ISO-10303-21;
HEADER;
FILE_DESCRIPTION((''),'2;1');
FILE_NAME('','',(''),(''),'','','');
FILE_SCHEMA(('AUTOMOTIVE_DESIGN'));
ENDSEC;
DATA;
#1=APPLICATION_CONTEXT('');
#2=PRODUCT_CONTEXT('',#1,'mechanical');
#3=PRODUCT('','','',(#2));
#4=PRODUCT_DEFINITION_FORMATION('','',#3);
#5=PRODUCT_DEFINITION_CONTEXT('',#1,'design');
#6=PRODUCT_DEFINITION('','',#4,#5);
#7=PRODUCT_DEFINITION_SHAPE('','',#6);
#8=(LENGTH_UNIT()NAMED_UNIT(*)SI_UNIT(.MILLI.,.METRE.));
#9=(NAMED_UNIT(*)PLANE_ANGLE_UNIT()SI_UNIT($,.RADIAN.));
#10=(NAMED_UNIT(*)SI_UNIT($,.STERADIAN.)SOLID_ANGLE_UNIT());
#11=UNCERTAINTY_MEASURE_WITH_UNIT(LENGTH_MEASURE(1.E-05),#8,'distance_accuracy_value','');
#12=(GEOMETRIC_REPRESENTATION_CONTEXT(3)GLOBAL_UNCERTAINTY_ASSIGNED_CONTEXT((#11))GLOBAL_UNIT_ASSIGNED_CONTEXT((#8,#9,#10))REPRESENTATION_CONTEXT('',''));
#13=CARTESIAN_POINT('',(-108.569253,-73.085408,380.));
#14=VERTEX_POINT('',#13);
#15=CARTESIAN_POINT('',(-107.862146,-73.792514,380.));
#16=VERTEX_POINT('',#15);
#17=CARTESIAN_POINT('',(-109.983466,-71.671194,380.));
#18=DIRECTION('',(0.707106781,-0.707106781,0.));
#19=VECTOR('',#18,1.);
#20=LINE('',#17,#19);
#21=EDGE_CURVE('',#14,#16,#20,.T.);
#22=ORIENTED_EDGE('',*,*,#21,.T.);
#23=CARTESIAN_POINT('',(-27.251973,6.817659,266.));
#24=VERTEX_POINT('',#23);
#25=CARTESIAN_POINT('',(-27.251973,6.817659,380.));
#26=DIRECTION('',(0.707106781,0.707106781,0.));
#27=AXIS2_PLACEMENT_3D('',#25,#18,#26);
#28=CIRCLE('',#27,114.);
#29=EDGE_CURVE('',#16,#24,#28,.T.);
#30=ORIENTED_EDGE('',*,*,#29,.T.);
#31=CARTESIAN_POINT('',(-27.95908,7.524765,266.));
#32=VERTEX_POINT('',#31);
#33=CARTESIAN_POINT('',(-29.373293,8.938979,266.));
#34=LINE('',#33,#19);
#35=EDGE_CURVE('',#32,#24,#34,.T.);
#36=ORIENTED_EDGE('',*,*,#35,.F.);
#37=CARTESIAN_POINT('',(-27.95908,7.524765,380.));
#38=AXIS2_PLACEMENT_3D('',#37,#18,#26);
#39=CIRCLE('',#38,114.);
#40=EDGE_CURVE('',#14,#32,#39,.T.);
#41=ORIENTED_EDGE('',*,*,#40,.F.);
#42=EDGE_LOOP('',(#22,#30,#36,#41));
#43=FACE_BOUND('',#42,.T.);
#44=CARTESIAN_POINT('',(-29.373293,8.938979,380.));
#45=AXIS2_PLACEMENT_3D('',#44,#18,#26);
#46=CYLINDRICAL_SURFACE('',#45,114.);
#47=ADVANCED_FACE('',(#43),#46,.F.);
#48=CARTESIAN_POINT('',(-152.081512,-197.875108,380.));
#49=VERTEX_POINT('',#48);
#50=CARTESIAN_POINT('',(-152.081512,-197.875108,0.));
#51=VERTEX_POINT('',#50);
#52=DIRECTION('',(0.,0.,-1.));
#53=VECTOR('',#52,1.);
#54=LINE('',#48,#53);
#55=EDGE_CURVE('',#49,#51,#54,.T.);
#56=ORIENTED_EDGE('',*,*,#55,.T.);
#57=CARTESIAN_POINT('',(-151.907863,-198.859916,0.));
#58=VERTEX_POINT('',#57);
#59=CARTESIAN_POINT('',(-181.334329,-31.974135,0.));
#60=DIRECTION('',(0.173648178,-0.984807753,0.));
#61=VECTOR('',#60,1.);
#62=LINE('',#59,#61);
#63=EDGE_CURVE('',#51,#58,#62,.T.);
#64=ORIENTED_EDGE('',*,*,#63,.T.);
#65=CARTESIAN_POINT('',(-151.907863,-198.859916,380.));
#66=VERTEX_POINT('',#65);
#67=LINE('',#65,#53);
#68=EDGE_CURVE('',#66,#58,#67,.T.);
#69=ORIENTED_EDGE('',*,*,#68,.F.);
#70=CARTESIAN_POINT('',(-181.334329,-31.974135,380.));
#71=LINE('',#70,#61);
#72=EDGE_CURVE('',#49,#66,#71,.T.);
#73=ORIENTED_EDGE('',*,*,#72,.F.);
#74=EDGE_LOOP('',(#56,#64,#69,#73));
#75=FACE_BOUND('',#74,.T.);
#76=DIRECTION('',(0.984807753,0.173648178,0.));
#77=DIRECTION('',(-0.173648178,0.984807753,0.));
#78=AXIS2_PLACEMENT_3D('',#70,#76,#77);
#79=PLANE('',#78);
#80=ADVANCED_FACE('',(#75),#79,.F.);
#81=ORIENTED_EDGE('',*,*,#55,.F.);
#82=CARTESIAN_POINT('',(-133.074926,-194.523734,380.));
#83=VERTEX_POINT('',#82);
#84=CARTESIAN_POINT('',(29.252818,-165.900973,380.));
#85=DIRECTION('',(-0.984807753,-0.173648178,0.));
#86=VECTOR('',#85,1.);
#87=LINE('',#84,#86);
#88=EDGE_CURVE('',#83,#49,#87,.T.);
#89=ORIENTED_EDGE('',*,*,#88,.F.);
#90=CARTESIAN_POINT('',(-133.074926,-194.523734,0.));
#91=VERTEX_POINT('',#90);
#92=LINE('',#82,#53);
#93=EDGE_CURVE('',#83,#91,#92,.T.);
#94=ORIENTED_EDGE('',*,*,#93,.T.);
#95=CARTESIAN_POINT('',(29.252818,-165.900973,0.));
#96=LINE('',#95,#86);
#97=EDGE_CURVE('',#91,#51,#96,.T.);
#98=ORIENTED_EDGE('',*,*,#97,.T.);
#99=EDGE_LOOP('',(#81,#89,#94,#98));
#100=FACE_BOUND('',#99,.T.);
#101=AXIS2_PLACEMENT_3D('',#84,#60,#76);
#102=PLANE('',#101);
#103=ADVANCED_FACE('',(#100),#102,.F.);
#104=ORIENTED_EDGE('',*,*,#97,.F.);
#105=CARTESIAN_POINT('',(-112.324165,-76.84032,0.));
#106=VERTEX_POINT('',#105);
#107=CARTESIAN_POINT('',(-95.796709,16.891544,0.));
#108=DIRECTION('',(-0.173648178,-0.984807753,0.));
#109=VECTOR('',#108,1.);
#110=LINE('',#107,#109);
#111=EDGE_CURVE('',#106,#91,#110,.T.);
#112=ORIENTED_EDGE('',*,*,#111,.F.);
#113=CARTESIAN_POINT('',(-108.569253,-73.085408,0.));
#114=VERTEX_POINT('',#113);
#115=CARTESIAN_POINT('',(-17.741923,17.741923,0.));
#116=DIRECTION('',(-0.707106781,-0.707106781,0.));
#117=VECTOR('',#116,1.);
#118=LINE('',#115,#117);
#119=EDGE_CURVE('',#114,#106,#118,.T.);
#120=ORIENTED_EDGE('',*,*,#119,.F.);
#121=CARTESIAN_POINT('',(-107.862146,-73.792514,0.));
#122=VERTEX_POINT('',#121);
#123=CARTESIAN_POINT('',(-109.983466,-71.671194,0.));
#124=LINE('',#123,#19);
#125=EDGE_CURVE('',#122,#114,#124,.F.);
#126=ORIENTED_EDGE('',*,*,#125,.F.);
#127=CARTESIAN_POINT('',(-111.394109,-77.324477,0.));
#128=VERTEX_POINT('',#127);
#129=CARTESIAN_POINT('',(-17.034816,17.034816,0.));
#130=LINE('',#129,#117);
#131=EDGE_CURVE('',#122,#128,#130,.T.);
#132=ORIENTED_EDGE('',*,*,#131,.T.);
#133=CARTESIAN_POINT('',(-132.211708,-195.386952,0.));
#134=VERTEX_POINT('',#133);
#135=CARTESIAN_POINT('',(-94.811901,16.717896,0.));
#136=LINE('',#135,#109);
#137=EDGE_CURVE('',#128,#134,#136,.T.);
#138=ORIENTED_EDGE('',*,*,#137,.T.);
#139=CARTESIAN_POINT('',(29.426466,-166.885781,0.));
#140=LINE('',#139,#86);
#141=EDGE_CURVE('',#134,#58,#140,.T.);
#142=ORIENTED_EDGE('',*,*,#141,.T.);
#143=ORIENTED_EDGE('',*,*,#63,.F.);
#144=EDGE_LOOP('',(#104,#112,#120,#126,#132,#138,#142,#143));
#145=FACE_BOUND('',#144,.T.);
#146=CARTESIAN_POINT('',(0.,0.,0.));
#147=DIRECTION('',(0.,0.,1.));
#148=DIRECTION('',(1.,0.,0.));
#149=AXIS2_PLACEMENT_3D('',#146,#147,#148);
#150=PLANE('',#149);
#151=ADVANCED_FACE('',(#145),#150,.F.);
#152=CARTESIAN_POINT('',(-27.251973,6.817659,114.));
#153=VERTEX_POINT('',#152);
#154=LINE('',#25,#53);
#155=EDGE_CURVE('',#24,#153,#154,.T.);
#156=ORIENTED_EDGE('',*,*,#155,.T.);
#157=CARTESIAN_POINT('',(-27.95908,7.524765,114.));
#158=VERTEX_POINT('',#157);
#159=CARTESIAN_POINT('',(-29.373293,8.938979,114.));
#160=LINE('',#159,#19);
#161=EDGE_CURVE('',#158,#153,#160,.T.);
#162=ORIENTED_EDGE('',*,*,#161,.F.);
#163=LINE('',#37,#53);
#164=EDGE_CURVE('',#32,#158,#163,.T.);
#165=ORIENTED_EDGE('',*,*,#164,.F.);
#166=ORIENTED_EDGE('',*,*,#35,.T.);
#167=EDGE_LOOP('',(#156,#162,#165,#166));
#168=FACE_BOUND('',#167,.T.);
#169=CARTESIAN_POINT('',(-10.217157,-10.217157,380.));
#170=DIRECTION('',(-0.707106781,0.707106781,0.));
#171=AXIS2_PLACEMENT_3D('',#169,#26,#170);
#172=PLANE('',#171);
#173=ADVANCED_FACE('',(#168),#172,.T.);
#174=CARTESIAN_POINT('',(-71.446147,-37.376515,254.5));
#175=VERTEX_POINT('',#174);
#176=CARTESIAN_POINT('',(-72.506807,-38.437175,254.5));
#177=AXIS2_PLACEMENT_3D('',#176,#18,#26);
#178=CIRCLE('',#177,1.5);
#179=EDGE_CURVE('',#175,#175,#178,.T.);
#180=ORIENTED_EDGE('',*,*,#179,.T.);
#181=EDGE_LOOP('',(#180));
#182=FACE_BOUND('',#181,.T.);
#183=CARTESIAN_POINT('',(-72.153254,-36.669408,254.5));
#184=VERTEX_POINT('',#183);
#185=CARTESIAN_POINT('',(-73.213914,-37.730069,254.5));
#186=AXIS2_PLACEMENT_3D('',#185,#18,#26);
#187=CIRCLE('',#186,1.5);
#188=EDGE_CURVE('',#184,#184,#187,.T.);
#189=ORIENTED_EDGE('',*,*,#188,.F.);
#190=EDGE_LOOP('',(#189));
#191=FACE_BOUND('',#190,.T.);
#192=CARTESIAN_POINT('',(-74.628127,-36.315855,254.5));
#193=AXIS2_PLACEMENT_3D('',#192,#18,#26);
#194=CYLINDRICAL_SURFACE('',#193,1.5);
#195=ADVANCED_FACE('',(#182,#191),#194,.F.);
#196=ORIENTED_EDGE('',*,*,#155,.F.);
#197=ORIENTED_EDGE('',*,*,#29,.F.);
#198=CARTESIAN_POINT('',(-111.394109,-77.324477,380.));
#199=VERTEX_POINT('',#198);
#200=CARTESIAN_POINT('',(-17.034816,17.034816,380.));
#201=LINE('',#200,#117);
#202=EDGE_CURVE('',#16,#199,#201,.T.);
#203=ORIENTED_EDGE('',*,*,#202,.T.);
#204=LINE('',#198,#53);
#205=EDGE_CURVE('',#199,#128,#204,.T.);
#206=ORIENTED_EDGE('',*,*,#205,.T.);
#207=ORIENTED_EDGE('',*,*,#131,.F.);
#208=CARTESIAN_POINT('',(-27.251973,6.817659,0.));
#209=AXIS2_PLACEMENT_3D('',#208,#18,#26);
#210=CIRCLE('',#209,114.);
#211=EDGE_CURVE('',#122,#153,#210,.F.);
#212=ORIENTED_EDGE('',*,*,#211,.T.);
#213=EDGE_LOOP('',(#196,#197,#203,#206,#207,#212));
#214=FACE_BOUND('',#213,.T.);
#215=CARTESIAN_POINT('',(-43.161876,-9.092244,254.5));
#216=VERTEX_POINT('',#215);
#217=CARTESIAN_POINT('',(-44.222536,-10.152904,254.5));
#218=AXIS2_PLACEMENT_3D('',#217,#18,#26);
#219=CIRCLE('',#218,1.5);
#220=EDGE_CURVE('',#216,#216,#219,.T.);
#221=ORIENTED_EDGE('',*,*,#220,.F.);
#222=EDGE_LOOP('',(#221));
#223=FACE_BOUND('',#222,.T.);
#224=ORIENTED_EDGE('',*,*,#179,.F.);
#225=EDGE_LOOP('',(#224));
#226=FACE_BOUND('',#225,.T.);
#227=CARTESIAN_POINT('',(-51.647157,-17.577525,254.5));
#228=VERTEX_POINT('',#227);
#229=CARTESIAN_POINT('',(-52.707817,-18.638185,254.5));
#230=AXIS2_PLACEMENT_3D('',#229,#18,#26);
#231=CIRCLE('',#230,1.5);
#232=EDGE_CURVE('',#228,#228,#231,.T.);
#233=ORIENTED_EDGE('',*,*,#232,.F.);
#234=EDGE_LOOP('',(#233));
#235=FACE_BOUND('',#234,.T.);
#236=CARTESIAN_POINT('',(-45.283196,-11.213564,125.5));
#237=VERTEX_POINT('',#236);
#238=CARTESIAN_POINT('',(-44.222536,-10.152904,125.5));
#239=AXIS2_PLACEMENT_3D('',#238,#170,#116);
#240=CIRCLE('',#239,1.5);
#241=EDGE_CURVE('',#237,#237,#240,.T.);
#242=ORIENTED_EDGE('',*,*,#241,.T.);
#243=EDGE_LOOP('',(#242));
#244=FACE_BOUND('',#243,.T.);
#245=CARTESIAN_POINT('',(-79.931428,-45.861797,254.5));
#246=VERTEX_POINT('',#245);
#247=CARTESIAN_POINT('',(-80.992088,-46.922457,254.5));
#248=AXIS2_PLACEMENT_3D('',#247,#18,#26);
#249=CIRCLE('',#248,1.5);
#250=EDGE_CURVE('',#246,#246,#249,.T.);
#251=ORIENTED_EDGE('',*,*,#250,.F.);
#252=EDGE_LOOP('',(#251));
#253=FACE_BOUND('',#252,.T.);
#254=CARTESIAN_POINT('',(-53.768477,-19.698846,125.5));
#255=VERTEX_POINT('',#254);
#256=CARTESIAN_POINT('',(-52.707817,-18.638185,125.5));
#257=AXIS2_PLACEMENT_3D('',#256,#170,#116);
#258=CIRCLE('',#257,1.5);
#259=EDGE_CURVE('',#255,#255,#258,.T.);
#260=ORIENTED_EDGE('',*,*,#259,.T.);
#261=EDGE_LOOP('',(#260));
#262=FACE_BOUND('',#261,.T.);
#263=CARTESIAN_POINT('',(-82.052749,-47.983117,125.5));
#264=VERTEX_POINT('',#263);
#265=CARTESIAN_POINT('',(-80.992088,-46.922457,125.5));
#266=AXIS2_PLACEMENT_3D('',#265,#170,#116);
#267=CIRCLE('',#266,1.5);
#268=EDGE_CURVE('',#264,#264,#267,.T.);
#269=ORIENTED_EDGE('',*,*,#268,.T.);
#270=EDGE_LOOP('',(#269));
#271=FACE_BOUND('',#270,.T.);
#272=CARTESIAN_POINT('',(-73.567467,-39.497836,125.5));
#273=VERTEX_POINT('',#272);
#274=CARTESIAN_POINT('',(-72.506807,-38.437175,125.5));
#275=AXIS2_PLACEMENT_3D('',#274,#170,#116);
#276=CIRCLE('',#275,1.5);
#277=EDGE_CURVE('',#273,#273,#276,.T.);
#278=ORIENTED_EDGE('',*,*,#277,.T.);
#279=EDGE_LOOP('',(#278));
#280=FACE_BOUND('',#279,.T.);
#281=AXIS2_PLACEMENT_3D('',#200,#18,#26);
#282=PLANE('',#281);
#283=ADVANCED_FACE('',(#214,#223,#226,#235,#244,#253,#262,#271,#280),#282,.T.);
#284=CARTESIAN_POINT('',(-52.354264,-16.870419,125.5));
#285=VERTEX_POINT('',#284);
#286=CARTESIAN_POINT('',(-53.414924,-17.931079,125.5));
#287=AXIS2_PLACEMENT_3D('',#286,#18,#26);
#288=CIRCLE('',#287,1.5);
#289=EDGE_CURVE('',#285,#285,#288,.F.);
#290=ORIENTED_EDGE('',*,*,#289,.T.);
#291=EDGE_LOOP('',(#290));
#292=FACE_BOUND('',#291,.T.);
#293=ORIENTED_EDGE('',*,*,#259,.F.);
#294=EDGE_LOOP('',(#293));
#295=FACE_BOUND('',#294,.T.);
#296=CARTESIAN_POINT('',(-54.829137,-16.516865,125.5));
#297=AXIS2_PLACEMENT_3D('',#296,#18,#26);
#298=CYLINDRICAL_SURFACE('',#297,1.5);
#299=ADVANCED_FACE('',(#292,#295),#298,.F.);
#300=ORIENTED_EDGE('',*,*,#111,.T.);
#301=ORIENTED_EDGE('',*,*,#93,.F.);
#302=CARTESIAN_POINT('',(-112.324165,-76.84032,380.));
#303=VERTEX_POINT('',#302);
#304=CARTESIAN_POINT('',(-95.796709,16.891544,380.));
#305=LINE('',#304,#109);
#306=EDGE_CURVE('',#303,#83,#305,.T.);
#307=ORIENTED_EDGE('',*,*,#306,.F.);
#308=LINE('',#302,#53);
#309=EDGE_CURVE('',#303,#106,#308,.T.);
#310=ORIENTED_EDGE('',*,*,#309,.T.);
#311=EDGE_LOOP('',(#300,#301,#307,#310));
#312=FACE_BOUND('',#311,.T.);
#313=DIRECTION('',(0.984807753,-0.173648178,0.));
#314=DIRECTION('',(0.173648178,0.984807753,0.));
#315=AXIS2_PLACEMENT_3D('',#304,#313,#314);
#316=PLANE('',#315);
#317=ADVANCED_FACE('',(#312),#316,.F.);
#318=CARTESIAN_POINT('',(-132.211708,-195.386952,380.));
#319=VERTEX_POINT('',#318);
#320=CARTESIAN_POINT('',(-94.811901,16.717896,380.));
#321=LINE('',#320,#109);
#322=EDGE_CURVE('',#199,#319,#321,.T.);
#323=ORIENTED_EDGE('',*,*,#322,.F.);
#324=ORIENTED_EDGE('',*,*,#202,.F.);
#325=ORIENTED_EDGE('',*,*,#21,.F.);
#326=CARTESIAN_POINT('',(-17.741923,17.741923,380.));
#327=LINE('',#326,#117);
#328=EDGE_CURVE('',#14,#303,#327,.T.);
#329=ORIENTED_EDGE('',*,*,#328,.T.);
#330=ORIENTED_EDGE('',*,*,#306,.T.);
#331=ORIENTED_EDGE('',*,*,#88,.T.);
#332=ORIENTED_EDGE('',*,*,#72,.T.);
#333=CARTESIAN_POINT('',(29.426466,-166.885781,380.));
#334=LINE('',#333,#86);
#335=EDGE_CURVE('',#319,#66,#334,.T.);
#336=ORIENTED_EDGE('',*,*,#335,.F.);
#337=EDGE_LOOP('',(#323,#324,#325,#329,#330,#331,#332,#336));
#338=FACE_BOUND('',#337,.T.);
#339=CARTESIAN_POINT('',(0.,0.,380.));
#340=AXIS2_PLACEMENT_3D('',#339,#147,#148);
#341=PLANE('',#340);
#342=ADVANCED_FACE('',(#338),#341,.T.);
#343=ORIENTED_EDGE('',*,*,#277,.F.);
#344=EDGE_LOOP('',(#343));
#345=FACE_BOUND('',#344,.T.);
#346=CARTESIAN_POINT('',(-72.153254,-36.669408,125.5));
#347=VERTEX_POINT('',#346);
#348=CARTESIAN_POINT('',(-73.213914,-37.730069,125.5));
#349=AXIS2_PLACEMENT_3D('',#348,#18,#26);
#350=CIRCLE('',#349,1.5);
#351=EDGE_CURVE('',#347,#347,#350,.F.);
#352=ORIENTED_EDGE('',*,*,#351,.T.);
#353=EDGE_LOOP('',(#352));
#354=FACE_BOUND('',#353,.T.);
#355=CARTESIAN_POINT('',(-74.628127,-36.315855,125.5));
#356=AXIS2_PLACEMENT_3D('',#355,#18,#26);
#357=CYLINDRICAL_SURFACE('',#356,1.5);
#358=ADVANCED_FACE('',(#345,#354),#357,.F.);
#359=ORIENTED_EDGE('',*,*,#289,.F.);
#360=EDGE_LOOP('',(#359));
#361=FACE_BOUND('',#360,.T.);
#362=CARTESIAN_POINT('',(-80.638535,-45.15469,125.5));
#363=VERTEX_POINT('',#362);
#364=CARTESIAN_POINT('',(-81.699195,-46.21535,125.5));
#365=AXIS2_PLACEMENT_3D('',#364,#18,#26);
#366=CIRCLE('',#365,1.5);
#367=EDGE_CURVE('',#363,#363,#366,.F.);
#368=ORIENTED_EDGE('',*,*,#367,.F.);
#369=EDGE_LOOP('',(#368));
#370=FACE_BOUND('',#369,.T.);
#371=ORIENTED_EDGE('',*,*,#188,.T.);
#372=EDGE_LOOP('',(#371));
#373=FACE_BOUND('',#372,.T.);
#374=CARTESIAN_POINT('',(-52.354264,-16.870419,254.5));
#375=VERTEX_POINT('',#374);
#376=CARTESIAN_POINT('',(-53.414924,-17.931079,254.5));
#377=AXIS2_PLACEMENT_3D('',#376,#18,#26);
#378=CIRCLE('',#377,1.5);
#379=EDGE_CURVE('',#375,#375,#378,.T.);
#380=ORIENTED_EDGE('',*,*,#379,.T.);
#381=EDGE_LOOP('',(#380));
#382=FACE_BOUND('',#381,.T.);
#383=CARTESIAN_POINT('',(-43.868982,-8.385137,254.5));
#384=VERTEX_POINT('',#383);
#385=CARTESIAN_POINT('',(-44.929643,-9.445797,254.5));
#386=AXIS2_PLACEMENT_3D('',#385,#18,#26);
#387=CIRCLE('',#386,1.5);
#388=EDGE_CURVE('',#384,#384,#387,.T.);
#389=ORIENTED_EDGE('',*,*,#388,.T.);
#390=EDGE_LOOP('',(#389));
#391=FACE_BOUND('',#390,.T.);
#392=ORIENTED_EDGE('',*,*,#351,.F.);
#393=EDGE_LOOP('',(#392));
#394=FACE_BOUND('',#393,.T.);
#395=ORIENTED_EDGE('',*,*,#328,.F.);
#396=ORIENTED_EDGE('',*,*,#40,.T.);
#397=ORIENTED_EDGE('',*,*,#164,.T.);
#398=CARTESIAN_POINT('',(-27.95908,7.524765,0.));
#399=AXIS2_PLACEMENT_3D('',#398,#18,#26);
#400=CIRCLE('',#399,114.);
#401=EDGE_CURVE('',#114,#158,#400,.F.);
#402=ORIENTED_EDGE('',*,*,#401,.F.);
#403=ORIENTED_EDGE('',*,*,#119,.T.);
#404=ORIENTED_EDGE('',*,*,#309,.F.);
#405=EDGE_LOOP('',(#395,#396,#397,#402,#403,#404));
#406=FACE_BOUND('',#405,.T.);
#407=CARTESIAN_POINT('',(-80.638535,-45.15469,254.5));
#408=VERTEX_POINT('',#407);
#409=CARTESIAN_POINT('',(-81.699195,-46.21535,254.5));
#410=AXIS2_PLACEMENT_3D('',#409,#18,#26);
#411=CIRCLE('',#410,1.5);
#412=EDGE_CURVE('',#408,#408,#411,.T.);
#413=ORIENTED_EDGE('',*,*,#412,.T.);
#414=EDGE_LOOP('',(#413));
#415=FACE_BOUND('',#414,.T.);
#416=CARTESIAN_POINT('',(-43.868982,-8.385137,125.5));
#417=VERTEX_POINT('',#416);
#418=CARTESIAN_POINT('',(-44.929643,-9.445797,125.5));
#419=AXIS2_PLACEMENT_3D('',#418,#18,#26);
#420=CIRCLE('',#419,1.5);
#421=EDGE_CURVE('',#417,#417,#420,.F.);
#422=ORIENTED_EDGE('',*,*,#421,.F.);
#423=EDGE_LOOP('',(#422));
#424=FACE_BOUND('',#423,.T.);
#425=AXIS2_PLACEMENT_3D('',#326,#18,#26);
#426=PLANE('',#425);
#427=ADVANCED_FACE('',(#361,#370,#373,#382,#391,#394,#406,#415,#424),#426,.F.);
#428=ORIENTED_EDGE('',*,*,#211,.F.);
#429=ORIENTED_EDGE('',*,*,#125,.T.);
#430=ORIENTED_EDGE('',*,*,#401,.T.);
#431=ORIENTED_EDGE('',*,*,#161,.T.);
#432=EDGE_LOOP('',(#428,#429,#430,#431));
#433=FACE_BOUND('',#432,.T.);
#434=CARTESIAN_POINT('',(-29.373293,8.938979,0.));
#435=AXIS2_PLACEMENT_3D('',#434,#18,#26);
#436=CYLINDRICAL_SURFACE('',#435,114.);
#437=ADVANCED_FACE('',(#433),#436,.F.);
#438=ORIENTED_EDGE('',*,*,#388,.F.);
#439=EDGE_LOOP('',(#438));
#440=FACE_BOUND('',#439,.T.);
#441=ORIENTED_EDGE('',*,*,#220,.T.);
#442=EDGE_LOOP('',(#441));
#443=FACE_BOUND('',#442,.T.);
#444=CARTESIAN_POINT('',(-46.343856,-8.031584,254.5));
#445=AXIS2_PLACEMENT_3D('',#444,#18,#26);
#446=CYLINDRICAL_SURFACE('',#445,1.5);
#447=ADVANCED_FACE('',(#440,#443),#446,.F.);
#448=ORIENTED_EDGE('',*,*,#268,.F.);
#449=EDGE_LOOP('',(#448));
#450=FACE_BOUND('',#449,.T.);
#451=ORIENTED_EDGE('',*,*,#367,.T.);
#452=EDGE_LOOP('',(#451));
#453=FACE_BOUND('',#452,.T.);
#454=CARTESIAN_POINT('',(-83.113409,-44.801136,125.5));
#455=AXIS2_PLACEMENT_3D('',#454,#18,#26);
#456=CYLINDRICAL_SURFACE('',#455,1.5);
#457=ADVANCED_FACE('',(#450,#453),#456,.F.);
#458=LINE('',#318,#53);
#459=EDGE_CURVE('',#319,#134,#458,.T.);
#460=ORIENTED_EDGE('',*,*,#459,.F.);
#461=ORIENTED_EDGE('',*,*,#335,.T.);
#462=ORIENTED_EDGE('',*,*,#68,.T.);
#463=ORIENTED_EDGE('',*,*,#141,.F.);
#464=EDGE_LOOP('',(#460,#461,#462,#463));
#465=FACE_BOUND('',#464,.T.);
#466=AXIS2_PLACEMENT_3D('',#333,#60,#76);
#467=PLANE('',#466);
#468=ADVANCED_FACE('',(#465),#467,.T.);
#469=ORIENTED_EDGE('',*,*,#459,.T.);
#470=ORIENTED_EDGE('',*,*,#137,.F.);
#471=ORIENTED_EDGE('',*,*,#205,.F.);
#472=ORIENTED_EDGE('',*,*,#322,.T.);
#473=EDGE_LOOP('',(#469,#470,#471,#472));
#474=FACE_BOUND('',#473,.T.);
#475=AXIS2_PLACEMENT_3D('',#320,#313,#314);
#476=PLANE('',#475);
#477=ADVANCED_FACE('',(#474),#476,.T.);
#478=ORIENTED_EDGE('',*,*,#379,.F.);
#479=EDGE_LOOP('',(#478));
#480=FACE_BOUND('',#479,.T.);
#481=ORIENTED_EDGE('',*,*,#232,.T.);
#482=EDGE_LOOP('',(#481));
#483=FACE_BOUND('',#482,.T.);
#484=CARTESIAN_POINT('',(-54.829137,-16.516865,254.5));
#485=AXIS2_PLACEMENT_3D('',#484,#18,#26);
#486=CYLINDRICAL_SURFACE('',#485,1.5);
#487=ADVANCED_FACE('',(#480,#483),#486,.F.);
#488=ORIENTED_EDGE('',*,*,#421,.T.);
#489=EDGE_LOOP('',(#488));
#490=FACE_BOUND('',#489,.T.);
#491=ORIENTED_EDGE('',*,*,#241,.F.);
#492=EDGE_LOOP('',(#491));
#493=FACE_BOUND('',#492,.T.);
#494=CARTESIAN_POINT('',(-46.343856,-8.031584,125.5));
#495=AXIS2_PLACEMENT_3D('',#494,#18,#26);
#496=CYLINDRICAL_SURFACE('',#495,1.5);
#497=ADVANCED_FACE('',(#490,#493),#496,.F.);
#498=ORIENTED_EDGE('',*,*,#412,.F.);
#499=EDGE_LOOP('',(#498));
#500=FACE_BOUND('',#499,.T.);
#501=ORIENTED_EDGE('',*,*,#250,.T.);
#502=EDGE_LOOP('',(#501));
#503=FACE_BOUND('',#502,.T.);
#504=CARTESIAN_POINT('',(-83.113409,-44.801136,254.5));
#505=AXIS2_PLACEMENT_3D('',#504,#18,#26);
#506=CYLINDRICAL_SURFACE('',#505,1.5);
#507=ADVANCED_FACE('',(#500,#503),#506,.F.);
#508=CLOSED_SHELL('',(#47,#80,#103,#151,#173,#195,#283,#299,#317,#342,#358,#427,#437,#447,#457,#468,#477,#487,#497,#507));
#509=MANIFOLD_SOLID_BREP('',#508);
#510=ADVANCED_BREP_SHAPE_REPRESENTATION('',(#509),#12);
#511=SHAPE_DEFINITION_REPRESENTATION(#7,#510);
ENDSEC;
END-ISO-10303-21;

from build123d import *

# Parameters (mm, degrees)
EXTRUDE_1_DEPTH     = 380
SKETCH_2_R          = 1.5
CUT_EXTRUDE_1_DEPTH = 3


with BuildPart() as part:
    # 草图1 → 凸台-拉伸1 (new body)
    with BuildSketch(Plane.XY):
        Polygon((-133.074926411, -194.523734135), (-152.081511659, -197.875107926), (-151.907863481, -198.859915679), (-132.211708421, -195.386952125), (-111.394108644, -77.324476981), (-27.25197302, 6.817658643), (-27.959079801, 7.524765424), (-112.324165337, -76.840320111), align=None)
    extrude(amount=EXTRUDE_1_DEPTH)

    # 草图2 → 切除-拉伸1 (cut)
    with BuildSketch(Plane(origin=(-17.034815832, 17.034815832, 0), x_dir=(0, 0, -1), z_dir=(0.7071067811865477, -0.7071067811865475, 0))):
        with Locations(Location((-254.5, -38.449242265, 0), (0, 0, 90))):
            Circle(SKETCH_2_R)
        with Locations(Location((-254.5, -50.449242265, 0), (0, 0, 90))):
            Circle(SKETCH_2_R)
        with BuildLine():
            ThreePointArc((-380, -128.449242265), (-299.389826945, -95.05941532), (-266, -14.449242265))
            Line((-266, -14.449242265), (-380, -14.449242265))
            Line((-380, -14.449242265), (-380, -128.449242265))
        make_face()
        with BuildLine():
            Line((-380, -14.449242265), (-266, -14.449242265))
            ThreePointArc((-266, -14.449242265), (-460.610173055, 66.16093079), (-380, -128.449242265))
            Line((-380, -128.449242265), (-380, -14.449242265))
        make_face()
        with BuildLine():
            ThreePointArc((114, -14.449242265), (0, 99.550757735), (-114, -14.449242265))
            Line((-114, -14.449242265), (0, -14.449242265))
            Line((0, -14.449242265), (0, -128.449242265))
            ThreePointArc((0, -128.449242265), (80.610173055, -95.05941532), (114, -14.449242265))
        make_face()
        with BuildLine():
            Line((0, -14.449242265), (-114, -14.449242265))
            ThreePointArc((-114, -14.449242265), (-80.610173055, -95.05941532), (0, -128.449242265))
            Line((0, -128.449242265), (0, -14.449242265))
        make_face()
        with Locations(Location((-125.5, -38.449242265, 0), (0, 0, 90))):
            Circle(SKETCH_2_R)
        with Locations(Location((-125.5, -50.449242265, 0), (0, 0, 90))):
            Circle(SKETCH_2_R)
        with Locations(Location((-125.5, -78.449242265, 0), (0, 0, 90))):
            Circle(SKETCH_2_R)
        with Locations(Location((-125.5, -90.449242265, 0), (0, 0, 90))):
            Circle(SKETCH_2_R)
        with Locations(Location((-254.5, -90.449242265, 0), (0, 0, 90))):
            Circle(SKETCH_2_R)
        with Locations(Location((-254.5, -78.449242265, 0), (0, 0, 90))):
            Circle(SKETCH_2_R)
    extrude(amount=-CUT_EXTRUDE_1_DEPTH, mode=Mode.SUBTRACT)


solid = part.part
